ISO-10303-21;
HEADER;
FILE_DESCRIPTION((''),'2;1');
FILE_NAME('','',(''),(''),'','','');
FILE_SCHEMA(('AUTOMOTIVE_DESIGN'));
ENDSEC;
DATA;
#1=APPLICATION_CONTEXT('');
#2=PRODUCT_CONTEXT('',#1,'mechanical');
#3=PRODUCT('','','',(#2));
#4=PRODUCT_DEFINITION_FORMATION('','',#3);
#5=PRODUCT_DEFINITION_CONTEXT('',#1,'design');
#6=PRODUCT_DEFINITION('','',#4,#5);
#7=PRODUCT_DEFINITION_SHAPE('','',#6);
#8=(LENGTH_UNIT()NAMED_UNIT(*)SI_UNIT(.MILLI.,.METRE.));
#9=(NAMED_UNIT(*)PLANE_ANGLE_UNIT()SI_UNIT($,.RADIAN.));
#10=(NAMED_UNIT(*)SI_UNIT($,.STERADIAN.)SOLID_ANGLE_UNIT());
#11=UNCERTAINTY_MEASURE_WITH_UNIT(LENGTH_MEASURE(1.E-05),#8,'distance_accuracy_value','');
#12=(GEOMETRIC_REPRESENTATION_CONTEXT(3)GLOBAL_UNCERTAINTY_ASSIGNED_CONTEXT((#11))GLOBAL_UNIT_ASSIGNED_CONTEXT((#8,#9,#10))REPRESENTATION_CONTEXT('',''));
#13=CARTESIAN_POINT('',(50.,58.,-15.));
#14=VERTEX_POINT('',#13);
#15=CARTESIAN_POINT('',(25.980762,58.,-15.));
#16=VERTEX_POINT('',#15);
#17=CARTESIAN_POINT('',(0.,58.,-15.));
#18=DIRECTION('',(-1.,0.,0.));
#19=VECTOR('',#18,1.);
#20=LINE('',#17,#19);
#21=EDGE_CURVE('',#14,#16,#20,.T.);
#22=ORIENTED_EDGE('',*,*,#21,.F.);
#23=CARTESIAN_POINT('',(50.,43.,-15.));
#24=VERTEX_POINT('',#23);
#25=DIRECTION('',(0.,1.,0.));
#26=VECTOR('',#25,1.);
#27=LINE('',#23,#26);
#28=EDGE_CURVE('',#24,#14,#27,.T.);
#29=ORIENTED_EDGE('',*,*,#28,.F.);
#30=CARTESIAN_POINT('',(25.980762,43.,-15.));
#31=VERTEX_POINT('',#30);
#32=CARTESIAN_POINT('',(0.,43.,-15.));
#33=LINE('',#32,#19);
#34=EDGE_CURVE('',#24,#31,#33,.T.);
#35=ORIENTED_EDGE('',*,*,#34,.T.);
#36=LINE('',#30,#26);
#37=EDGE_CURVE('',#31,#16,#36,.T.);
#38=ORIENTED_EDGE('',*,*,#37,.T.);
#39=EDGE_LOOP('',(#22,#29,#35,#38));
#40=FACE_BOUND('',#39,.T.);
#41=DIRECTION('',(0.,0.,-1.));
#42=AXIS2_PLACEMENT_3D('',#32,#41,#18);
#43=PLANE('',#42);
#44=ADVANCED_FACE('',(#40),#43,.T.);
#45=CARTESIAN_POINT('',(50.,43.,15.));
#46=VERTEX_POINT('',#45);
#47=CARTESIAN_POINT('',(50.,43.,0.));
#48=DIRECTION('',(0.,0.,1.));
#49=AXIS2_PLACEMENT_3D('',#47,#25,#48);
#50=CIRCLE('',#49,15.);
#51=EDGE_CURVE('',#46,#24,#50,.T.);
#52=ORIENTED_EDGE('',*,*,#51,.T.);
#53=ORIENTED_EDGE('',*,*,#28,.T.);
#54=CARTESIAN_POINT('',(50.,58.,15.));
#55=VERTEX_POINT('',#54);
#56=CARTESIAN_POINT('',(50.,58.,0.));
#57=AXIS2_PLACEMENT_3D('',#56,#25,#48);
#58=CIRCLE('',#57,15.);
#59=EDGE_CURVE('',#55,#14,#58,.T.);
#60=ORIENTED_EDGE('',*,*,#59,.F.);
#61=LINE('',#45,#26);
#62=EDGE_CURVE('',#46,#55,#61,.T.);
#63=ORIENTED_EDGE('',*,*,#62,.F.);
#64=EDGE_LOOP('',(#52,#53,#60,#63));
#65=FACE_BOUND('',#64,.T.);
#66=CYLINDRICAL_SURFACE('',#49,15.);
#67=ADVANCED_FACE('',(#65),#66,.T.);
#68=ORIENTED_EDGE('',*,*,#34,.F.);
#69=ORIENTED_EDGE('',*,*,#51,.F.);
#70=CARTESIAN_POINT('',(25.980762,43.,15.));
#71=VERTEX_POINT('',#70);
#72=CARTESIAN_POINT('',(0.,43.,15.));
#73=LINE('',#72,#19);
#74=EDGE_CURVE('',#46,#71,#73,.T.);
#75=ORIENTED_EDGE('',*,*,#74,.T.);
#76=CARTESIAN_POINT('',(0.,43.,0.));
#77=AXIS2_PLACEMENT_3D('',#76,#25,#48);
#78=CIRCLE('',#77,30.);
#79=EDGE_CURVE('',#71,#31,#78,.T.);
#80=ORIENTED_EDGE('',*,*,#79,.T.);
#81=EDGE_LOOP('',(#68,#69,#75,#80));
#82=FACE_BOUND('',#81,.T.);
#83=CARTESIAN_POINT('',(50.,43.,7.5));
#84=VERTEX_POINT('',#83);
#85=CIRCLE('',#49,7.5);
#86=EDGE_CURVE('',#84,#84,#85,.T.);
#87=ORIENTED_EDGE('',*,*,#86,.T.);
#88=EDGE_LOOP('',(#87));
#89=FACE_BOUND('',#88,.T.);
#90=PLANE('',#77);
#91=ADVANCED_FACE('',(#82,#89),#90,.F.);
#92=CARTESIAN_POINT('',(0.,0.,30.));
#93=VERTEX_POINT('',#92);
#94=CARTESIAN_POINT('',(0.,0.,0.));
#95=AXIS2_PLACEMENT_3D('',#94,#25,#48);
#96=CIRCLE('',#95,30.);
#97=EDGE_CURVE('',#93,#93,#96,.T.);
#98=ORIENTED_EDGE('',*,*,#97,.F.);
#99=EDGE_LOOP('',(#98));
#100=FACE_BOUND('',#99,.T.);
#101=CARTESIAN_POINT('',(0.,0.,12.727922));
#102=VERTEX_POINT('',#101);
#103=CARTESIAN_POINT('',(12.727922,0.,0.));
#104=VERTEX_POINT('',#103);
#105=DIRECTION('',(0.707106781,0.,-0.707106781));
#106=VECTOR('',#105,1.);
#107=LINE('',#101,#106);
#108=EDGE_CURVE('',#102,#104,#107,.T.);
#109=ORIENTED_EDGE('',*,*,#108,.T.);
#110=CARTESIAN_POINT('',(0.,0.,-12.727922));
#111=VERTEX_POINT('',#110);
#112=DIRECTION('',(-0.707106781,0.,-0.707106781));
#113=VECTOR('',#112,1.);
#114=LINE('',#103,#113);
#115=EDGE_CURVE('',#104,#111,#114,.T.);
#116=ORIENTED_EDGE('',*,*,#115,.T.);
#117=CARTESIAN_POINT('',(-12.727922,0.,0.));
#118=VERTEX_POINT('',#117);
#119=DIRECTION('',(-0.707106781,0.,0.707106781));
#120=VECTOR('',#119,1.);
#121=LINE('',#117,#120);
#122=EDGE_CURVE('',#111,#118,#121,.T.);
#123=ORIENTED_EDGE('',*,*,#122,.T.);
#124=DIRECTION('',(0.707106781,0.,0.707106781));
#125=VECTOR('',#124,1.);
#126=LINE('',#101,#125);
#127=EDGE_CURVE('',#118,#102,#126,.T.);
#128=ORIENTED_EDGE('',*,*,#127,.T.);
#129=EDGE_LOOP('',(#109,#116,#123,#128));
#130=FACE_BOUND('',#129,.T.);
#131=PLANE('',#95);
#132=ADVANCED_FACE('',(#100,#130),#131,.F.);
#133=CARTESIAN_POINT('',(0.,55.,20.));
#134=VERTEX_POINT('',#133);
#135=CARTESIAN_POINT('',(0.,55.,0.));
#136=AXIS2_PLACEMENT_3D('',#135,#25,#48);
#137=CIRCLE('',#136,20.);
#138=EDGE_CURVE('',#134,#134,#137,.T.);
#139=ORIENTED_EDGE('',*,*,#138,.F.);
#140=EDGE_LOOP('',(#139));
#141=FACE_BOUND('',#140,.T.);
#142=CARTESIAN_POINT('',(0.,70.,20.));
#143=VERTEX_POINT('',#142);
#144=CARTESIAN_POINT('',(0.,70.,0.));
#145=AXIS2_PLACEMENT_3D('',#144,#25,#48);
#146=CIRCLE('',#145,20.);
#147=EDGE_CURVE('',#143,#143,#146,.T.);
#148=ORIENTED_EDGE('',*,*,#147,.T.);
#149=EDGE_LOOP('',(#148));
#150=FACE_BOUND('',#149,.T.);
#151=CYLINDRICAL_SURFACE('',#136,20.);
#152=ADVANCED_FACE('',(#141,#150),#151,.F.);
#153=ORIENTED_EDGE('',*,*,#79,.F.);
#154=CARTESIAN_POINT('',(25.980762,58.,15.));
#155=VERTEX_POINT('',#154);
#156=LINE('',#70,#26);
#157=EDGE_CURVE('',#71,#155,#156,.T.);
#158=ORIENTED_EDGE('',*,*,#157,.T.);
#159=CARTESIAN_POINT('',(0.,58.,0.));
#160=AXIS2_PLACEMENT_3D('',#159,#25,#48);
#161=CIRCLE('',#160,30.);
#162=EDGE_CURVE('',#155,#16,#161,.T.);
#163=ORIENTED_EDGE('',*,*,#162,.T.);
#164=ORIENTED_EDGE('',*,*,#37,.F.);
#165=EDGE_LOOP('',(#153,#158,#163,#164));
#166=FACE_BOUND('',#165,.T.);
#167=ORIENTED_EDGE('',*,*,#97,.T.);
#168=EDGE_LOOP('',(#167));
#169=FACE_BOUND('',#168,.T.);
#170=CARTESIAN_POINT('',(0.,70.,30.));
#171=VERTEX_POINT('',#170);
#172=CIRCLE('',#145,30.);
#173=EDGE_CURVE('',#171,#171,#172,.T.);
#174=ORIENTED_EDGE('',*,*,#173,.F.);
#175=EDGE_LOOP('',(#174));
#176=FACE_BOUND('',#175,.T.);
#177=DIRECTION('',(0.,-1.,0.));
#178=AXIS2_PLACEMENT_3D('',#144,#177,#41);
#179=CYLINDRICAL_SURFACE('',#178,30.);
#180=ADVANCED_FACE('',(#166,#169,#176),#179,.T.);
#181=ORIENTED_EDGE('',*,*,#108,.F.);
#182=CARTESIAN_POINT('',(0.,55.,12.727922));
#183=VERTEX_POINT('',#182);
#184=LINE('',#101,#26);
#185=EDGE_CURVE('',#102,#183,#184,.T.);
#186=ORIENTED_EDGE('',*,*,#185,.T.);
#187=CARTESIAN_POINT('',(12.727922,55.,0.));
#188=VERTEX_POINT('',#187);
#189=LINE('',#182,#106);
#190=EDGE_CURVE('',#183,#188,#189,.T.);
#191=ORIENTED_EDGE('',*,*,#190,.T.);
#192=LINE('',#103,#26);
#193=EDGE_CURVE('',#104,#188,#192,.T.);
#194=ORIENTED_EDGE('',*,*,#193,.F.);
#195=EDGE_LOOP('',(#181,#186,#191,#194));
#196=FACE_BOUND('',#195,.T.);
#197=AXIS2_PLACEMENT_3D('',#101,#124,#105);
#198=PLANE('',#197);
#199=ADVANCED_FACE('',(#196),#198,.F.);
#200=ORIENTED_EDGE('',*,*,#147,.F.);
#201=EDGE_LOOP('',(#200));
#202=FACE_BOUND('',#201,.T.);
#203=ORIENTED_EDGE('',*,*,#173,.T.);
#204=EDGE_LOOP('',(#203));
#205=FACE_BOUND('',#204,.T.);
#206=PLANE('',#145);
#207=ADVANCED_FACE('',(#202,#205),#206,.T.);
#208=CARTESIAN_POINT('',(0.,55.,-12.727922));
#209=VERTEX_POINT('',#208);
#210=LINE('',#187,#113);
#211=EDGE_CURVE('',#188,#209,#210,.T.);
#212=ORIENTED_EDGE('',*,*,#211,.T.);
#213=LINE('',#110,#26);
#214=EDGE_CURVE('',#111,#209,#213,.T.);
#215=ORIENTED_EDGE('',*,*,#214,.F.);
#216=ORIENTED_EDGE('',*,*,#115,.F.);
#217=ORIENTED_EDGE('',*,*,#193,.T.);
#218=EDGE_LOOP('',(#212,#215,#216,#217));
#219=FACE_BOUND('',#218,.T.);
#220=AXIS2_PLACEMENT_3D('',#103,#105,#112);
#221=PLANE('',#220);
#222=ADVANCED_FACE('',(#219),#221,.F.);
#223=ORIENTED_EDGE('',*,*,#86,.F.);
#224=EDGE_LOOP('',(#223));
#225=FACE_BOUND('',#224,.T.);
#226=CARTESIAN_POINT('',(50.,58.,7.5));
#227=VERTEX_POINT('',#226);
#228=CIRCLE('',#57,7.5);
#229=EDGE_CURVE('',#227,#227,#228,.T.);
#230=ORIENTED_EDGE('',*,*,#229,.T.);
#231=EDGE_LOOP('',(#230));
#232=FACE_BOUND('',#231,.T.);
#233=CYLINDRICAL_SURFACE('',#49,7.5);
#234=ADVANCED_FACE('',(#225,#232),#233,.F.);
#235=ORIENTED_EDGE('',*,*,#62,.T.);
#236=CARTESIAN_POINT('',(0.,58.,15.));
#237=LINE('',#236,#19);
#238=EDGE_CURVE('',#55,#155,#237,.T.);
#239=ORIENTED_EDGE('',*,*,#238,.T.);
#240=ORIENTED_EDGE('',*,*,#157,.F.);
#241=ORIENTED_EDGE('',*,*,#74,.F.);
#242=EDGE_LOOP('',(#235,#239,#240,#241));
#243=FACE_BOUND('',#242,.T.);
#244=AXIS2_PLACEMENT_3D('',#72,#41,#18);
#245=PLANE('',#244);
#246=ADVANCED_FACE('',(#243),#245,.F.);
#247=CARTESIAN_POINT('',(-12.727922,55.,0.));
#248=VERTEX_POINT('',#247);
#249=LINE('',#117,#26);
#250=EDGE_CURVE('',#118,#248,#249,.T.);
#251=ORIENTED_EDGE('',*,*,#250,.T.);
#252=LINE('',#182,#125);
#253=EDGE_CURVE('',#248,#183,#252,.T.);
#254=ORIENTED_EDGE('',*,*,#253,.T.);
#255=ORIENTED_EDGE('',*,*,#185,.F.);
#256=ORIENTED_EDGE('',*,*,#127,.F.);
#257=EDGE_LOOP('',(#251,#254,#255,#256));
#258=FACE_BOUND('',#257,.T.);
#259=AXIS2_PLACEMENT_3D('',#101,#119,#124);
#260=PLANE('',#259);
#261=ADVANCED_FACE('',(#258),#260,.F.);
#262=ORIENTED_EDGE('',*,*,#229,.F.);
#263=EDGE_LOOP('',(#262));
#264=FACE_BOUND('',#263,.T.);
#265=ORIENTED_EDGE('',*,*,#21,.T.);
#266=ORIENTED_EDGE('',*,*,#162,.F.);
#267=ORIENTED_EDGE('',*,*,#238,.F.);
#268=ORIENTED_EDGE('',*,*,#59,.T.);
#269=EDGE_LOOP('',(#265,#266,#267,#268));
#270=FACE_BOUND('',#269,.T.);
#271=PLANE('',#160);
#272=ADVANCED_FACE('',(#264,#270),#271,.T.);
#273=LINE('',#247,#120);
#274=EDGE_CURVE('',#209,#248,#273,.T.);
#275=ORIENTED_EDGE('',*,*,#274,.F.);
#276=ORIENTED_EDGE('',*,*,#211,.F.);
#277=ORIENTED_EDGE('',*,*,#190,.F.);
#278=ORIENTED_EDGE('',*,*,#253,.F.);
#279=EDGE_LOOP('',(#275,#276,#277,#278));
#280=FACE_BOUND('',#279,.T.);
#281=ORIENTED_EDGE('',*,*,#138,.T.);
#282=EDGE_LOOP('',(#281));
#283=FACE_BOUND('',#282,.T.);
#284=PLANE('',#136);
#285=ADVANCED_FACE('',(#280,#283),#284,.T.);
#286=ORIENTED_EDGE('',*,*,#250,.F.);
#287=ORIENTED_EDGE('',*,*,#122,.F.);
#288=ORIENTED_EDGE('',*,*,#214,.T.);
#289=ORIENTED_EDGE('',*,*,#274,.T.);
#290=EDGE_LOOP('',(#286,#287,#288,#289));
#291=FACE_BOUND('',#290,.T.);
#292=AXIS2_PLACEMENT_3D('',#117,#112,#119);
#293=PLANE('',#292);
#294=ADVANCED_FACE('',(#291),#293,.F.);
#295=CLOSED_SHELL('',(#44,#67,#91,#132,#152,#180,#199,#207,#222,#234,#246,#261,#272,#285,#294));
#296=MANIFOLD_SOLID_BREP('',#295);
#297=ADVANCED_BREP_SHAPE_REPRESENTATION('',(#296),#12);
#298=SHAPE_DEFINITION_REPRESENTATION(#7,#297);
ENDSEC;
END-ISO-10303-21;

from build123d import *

# Parameters (mm, degrees)
SKETCH_1_R          = 30
EXTRUDE_1_DEPTH     = 70
EXTRUDE_START       = 43
SKETCH_1_4_R        = 7.5
EXTRUDE_2_DEPTH     = 15
SKETCH_3_R          = 20
CUT_EXTRUDE_1_DEPTH = 15
CUT_EXTRUDE_2_DEPTH = 91.277350426


with BuildPart() as part:
    # 草图1 → 凸台-拉伸1 (new body)
    with BuildSketch(Plane(origin=(0, 0, 0), x_dir=(1, 0, 0), z_dir=(0, 1, 0))):
        Circle(SKETCH_1_R)
    extrude(amount=EXTRUDE_1_DEPTH)

    # 草图1<4> → 凸台-拉伸2 (add)
    with BuildSketch(Plane(origin=(0, 0, 0), x_dir=(1, 0, 0), z_dir=(0, 1, 0)).offset(EXTRUDE_START)):
        with BuildLine():
            ThreePointArc((25.980762114, 15), (30, 0), (25.980762114, -15))
            Line((25.980762114, -15), (50, -15))
            ThreePointArc((50, -15), (65, 0), (50, 15))
            Line((50, 15), (25.980762114, 15))
        make_face()
        with Locations((50, 0)):
            Circle(SKETCH_1_4_R, mode=Mode.SUBTRACT)
    extrude(amount=EXTRUDE_2_DEPTH)

    # 草图3 → 切除-拉伸1 (cut)
    with BuildSketch(Plane(origin=(0, 70, 0), x_dir=(1, 0, 0), z_dir=(0, 1, 0))):
        Circle(SKETCH_3_R)
    extrude(amount=-CUT_EXTRUDE_1_DEPTH, mode=Mode.SUBTRACT)

    # 草图4 → 切除-拉伸2 (cut, through all)
    with BuildSketch(Plane(origin=(0, 55, 0), x_dir=(1, 0, 0), z_dir=(0, 1, 0))):
        Polygon((0, -12.727922061), (-12.727922061, 0), (0, 12.727922061), (12.727922061, 0), align=None)
    extrude(amount=-CUT_EXTRUDE_2_DEPTH, mode=Mode.SUBTRACT)


solid = part.part
